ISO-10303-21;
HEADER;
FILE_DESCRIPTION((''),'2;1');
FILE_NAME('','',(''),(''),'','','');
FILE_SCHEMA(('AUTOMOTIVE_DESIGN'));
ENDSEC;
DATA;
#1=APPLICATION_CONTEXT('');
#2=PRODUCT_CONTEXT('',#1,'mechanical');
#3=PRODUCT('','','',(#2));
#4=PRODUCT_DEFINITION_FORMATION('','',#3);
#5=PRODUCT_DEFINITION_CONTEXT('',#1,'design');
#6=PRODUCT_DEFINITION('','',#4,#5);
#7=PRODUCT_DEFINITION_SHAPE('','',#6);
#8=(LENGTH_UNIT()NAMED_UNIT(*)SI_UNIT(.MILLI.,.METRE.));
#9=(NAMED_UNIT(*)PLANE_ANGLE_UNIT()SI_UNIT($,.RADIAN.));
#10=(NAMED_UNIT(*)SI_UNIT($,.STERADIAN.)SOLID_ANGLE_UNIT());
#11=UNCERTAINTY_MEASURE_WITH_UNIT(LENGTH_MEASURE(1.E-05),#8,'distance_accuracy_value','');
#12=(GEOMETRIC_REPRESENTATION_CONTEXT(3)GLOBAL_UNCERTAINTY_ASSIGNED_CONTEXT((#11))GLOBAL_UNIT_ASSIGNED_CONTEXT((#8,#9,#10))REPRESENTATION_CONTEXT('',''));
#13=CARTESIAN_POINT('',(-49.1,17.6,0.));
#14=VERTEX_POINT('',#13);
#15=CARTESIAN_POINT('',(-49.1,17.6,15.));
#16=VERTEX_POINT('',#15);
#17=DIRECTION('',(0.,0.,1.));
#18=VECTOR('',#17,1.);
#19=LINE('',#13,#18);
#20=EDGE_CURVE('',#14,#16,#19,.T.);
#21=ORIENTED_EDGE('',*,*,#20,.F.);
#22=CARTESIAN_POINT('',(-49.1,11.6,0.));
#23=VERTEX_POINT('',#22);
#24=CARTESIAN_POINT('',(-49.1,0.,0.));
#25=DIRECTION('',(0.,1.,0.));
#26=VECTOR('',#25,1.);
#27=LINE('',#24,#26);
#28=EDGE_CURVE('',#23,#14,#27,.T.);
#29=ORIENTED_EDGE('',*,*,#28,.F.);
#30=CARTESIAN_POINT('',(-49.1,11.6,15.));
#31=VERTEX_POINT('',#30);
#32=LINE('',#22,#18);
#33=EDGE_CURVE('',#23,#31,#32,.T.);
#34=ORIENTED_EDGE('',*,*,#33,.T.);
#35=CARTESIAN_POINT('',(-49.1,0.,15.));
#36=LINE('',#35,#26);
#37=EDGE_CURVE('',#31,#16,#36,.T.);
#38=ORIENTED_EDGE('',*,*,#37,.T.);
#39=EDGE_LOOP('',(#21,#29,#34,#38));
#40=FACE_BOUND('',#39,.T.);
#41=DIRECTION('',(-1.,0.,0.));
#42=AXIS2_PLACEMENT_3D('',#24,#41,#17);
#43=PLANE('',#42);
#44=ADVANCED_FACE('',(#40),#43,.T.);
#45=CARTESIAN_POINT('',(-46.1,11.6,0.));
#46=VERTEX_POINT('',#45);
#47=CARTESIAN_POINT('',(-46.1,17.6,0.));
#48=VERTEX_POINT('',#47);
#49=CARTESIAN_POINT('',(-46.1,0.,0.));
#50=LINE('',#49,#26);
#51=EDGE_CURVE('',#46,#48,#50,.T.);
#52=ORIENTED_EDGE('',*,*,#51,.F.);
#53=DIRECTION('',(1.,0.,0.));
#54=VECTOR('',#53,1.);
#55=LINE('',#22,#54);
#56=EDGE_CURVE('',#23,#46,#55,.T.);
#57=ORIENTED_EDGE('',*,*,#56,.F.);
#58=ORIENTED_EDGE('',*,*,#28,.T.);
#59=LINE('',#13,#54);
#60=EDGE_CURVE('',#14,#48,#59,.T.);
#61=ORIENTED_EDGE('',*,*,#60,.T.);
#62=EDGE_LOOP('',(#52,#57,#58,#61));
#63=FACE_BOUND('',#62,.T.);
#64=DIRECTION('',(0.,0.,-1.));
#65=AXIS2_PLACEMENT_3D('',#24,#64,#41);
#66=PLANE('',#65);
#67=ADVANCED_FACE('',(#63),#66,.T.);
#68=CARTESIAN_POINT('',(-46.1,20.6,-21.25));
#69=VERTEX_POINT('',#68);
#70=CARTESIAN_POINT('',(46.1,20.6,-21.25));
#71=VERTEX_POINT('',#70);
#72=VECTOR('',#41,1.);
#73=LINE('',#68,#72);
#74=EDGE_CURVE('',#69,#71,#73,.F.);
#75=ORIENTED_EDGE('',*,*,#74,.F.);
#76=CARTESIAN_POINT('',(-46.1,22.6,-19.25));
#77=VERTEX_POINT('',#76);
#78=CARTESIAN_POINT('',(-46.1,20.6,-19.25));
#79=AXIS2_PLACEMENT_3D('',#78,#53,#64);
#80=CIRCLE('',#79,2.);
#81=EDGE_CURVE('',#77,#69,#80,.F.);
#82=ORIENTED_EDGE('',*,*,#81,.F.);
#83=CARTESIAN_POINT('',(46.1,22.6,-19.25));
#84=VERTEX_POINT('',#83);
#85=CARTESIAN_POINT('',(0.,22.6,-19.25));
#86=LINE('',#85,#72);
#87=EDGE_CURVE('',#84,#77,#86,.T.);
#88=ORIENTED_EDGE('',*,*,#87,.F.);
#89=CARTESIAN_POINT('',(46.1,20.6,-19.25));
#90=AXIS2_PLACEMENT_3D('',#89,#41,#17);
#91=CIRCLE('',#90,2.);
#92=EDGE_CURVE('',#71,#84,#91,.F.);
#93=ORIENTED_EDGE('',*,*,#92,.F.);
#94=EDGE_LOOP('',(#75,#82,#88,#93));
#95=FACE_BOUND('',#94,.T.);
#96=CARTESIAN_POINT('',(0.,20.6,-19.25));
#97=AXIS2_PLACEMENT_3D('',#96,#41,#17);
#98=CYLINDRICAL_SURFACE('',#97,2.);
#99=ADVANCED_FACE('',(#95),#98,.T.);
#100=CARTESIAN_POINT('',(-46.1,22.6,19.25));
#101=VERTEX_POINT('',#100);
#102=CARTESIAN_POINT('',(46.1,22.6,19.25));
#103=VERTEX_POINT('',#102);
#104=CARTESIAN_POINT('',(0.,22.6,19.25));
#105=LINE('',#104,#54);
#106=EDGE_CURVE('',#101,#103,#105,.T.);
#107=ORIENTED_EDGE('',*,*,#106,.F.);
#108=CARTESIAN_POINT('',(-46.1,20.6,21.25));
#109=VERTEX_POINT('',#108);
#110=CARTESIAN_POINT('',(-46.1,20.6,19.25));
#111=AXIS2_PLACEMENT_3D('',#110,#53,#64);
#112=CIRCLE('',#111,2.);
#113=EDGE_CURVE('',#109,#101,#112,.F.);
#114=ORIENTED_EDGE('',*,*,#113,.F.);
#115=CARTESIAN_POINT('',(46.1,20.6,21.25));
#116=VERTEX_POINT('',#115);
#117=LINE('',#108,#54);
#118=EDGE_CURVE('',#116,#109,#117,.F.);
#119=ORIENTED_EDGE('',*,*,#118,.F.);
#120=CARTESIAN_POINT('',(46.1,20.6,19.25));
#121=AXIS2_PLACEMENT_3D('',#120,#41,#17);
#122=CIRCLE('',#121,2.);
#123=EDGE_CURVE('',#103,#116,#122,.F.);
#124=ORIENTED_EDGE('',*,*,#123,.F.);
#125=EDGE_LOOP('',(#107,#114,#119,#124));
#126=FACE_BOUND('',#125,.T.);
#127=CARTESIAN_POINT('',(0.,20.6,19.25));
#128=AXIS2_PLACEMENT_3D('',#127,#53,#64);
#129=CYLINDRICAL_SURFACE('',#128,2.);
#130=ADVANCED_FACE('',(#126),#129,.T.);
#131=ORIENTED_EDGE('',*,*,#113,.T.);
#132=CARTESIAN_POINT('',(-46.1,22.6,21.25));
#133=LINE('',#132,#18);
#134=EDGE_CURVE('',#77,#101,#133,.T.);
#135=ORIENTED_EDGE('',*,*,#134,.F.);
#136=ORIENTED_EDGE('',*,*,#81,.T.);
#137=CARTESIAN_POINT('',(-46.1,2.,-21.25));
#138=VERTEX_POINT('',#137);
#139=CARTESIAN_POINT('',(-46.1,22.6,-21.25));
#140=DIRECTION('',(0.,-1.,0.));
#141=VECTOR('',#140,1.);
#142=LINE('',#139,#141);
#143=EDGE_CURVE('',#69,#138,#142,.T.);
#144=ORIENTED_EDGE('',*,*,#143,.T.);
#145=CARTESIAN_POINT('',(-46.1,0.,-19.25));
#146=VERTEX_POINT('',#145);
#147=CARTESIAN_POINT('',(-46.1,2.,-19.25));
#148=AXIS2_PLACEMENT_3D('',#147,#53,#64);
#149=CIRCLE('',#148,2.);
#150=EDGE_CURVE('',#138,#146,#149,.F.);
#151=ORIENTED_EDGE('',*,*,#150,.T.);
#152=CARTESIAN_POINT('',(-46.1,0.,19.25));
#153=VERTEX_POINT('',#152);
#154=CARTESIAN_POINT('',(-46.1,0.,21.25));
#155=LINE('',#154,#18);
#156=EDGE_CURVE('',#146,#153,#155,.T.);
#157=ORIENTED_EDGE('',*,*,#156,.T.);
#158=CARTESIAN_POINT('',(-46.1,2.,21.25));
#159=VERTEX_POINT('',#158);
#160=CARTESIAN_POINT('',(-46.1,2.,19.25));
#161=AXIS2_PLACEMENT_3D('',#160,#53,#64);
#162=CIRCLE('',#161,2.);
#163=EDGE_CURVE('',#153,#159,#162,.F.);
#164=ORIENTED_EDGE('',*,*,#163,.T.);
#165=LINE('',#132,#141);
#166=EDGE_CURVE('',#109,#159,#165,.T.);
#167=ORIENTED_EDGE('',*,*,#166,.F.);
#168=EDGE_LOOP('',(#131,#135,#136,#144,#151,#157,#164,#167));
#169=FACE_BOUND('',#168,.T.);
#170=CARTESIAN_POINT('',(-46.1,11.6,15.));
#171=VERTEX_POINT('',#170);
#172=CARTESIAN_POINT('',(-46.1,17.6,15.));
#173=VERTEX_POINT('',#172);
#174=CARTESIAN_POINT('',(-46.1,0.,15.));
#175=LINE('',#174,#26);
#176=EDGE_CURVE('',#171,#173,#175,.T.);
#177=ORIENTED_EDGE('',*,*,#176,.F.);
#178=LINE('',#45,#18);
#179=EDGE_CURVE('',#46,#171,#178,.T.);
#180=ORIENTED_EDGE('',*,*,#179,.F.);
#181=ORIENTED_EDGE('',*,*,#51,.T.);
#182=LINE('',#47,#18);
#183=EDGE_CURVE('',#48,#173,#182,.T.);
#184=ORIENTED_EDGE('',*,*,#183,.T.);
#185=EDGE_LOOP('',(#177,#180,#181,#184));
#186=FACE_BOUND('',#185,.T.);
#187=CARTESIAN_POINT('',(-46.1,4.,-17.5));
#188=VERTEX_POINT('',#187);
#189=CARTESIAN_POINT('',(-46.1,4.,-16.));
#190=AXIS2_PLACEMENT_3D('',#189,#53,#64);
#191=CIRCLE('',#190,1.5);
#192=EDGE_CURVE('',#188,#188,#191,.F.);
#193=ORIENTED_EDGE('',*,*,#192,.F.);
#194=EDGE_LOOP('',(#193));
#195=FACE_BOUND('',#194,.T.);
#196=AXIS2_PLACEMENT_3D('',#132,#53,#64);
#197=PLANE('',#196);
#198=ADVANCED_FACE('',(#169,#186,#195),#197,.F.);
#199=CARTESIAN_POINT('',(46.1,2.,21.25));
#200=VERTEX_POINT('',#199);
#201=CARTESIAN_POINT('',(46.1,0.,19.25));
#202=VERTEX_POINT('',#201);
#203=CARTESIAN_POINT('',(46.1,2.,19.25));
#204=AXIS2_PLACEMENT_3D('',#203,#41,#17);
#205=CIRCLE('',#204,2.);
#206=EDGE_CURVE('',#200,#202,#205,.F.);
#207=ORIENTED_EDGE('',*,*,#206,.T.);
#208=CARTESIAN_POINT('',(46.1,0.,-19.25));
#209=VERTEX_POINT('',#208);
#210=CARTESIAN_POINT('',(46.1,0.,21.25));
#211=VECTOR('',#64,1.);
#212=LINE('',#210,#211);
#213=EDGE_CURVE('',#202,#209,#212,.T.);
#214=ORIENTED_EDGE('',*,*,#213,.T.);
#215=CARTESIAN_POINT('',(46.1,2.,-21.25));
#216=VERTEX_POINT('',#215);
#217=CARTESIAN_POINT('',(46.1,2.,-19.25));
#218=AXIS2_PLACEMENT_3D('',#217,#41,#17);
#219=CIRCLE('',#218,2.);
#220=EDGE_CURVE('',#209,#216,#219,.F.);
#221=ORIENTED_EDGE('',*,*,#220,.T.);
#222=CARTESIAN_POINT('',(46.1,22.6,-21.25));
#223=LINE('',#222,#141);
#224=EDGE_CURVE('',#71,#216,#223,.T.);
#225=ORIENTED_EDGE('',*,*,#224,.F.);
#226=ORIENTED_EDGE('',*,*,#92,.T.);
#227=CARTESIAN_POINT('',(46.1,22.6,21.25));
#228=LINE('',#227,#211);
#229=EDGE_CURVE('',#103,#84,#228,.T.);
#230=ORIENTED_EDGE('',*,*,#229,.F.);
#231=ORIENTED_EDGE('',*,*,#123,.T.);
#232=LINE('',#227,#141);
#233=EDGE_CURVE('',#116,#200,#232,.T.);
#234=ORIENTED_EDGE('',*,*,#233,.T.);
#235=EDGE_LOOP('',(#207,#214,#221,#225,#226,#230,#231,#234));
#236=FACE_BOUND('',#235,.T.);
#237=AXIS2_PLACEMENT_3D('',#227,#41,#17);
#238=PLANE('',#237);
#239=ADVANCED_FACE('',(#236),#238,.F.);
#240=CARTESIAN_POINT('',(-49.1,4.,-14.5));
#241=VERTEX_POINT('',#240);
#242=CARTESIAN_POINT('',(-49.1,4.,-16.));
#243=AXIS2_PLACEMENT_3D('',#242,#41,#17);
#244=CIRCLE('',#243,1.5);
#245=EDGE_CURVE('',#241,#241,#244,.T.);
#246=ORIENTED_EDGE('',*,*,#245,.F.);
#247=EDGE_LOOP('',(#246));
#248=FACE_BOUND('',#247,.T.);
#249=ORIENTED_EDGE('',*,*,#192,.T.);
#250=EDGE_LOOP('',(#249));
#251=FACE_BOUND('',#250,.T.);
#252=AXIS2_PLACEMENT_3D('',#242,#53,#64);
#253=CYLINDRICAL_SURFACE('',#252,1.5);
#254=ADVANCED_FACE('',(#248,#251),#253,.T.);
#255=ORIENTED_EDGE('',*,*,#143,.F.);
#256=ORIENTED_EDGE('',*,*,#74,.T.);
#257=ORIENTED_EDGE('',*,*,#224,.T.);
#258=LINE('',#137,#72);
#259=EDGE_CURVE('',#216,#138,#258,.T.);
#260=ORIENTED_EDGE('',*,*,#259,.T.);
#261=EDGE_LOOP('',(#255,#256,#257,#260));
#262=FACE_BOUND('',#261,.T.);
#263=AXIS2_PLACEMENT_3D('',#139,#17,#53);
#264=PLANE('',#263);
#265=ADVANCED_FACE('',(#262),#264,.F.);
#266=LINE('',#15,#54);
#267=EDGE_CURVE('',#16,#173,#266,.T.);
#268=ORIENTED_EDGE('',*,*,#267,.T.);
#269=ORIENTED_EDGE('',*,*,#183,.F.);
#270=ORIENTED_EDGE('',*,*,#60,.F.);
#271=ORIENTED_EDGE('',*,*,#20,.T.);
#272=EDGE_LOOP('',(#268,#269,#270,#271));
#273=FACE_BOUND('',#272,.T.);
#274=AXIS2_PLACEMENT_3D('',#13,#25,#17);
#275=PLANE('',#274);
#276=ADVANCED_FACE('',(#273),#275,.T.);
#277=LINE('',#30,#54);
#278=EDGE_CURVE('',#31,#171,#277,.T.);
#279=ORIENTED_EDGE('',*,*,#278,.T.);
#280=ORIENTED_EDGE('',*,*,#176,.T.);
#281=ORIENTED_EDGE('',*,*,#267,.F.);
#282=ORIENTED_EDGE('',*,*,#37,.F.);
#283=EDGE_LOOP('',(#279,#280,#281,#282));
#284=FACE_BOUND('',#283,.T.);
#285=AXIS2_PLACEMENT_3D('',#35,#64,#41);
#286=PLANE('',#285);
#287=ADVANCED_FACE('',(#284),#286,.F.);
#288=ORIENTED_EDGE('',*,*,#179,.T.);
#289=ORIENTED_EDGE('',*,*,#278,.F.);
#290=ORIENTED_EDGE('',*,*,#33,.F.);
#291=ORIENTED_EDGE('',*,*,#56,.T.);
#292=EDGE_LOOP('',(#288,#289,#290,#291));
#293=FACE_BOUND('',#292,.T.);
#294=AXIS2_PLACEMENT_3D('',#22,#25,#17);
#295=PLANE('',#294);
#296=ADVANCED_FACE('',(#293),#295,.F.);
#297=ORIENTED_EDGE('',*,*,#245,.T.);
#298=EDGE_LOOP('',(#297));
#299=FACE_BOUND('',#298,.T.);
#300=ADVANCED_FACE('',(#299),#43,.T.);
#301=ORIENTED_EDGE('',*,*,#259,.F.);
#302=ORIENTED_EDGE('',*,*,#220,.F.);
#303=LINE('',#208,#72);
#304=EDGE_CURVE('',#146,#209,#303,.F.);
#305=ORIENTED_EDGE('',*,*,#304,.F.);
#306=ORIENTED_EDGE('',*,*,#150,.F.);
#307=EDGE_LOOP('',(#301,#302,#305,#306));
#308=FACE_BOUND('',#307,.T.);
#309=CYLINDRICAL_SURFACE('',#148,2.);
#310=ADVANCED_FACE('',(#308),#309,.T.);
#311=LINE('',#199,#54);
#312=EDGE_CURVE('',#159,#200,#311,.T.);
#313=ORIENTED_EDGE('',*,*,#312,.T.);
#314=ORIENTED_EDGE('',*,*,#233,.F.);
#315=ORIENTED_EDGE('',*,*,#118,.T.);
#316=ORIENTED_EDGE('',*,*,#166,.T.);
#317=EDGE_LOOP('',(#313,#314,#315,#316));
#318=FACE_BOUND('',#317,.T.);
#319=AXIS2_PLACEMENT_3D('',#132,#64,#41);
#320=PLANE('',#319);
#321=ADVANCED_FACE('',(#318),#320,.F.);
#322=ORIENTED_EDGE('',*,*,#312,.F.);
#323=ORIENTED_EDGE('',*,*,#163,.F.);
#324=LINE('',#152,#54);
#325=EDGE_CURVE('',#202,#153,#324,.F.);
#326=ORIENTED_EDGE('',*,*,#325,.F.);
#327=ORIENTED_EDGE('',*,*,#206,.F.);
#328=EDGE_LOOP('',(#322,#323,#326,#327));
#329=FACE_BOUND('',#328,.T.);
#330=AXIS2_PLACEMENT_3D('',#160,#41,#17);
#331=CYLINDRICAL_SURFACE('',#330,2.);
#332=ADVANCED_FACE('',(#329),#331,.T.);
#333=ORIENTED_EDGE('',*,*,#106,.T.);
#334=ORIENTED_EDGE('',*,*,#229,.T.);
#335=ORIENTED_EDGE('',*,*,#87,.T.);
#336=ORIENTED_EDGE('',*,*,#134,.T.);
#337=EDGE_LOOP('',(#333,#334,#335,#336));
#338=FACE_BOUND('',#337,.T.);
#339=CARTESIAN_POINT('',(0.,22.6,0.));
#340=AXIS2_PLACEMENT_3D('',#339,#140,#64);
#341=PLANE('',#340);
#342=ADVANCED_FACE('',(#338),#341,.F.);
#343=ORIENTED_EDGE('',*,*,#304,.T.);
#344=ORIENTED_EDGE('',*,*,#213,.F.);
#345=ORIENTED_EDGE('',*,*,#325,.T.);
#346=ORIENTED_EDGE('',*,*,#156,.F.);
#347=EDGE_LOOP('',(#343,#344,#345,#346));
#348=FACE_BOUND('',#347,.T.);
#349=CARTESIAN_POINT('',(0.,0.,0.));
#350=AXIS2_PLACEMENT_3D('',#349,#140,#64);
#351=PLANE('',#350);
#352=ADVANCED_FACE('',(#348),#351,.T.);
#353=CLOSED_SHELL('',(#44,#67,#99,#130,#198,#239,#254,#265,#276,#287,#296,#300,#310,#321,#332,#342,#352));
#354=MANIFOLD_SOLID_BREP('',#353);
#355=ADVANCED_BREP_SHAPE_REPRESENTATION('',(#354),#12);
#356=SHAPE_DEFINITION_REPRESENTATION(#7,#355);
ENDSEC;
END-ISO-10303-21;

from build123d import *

# Parameters (mm, degrees)
SKETCH_1_W      = 92.2
SKETCH_1_H      = 42.5
EXTRUDE_1_DEPTH = 22.6
FILLET_1_R      = 2
SKETCH_6_R      = 1.5
SKETCH_6_W      = 15
SKETCH_6_H      = 6
EXTRUDE_5_DEPTH = 3


with BuildPart() as part:
    # 草图1 → 凸台-拉伸1 (new body)
    with BuildSketch(Plane(origin=(0, 0, 0), x_dir=(1, 0, 0), z_dir=(0, 1, 0))):
        Rectangle(SKETCH_1_W, SKETCH_1_H)
    extrude(amount=EXTRUDE_1_DEPTH)

    # 圆角1
    fillet_1_edges = [part.edges().sort_by_distance(p)[0] for p in [
        (0, 22.6, 21.25),
        (0, 0, 21.25),
        (0, 0, -21.25),
        (0, 22.6, -21.25),
    ]]
    fillet(fillet_1_edges, radius=FILLET_1_R)

    # 草图6 → 凸台-拉伸5 (add)
    with BuildSketch(Plane.ZY.offset(46.1)):
        with Locations(Location((-16, 4, 0), (0, 0, 180))):
            Circle(SKETCH_6_R)
        with Locations((7.5, 14.6)):
            Rectangle(SKETCH_6_W, SKETCH_6_H)
    extrude(amount=EXTRUDE_5_DEPTH)


solid = part.part
